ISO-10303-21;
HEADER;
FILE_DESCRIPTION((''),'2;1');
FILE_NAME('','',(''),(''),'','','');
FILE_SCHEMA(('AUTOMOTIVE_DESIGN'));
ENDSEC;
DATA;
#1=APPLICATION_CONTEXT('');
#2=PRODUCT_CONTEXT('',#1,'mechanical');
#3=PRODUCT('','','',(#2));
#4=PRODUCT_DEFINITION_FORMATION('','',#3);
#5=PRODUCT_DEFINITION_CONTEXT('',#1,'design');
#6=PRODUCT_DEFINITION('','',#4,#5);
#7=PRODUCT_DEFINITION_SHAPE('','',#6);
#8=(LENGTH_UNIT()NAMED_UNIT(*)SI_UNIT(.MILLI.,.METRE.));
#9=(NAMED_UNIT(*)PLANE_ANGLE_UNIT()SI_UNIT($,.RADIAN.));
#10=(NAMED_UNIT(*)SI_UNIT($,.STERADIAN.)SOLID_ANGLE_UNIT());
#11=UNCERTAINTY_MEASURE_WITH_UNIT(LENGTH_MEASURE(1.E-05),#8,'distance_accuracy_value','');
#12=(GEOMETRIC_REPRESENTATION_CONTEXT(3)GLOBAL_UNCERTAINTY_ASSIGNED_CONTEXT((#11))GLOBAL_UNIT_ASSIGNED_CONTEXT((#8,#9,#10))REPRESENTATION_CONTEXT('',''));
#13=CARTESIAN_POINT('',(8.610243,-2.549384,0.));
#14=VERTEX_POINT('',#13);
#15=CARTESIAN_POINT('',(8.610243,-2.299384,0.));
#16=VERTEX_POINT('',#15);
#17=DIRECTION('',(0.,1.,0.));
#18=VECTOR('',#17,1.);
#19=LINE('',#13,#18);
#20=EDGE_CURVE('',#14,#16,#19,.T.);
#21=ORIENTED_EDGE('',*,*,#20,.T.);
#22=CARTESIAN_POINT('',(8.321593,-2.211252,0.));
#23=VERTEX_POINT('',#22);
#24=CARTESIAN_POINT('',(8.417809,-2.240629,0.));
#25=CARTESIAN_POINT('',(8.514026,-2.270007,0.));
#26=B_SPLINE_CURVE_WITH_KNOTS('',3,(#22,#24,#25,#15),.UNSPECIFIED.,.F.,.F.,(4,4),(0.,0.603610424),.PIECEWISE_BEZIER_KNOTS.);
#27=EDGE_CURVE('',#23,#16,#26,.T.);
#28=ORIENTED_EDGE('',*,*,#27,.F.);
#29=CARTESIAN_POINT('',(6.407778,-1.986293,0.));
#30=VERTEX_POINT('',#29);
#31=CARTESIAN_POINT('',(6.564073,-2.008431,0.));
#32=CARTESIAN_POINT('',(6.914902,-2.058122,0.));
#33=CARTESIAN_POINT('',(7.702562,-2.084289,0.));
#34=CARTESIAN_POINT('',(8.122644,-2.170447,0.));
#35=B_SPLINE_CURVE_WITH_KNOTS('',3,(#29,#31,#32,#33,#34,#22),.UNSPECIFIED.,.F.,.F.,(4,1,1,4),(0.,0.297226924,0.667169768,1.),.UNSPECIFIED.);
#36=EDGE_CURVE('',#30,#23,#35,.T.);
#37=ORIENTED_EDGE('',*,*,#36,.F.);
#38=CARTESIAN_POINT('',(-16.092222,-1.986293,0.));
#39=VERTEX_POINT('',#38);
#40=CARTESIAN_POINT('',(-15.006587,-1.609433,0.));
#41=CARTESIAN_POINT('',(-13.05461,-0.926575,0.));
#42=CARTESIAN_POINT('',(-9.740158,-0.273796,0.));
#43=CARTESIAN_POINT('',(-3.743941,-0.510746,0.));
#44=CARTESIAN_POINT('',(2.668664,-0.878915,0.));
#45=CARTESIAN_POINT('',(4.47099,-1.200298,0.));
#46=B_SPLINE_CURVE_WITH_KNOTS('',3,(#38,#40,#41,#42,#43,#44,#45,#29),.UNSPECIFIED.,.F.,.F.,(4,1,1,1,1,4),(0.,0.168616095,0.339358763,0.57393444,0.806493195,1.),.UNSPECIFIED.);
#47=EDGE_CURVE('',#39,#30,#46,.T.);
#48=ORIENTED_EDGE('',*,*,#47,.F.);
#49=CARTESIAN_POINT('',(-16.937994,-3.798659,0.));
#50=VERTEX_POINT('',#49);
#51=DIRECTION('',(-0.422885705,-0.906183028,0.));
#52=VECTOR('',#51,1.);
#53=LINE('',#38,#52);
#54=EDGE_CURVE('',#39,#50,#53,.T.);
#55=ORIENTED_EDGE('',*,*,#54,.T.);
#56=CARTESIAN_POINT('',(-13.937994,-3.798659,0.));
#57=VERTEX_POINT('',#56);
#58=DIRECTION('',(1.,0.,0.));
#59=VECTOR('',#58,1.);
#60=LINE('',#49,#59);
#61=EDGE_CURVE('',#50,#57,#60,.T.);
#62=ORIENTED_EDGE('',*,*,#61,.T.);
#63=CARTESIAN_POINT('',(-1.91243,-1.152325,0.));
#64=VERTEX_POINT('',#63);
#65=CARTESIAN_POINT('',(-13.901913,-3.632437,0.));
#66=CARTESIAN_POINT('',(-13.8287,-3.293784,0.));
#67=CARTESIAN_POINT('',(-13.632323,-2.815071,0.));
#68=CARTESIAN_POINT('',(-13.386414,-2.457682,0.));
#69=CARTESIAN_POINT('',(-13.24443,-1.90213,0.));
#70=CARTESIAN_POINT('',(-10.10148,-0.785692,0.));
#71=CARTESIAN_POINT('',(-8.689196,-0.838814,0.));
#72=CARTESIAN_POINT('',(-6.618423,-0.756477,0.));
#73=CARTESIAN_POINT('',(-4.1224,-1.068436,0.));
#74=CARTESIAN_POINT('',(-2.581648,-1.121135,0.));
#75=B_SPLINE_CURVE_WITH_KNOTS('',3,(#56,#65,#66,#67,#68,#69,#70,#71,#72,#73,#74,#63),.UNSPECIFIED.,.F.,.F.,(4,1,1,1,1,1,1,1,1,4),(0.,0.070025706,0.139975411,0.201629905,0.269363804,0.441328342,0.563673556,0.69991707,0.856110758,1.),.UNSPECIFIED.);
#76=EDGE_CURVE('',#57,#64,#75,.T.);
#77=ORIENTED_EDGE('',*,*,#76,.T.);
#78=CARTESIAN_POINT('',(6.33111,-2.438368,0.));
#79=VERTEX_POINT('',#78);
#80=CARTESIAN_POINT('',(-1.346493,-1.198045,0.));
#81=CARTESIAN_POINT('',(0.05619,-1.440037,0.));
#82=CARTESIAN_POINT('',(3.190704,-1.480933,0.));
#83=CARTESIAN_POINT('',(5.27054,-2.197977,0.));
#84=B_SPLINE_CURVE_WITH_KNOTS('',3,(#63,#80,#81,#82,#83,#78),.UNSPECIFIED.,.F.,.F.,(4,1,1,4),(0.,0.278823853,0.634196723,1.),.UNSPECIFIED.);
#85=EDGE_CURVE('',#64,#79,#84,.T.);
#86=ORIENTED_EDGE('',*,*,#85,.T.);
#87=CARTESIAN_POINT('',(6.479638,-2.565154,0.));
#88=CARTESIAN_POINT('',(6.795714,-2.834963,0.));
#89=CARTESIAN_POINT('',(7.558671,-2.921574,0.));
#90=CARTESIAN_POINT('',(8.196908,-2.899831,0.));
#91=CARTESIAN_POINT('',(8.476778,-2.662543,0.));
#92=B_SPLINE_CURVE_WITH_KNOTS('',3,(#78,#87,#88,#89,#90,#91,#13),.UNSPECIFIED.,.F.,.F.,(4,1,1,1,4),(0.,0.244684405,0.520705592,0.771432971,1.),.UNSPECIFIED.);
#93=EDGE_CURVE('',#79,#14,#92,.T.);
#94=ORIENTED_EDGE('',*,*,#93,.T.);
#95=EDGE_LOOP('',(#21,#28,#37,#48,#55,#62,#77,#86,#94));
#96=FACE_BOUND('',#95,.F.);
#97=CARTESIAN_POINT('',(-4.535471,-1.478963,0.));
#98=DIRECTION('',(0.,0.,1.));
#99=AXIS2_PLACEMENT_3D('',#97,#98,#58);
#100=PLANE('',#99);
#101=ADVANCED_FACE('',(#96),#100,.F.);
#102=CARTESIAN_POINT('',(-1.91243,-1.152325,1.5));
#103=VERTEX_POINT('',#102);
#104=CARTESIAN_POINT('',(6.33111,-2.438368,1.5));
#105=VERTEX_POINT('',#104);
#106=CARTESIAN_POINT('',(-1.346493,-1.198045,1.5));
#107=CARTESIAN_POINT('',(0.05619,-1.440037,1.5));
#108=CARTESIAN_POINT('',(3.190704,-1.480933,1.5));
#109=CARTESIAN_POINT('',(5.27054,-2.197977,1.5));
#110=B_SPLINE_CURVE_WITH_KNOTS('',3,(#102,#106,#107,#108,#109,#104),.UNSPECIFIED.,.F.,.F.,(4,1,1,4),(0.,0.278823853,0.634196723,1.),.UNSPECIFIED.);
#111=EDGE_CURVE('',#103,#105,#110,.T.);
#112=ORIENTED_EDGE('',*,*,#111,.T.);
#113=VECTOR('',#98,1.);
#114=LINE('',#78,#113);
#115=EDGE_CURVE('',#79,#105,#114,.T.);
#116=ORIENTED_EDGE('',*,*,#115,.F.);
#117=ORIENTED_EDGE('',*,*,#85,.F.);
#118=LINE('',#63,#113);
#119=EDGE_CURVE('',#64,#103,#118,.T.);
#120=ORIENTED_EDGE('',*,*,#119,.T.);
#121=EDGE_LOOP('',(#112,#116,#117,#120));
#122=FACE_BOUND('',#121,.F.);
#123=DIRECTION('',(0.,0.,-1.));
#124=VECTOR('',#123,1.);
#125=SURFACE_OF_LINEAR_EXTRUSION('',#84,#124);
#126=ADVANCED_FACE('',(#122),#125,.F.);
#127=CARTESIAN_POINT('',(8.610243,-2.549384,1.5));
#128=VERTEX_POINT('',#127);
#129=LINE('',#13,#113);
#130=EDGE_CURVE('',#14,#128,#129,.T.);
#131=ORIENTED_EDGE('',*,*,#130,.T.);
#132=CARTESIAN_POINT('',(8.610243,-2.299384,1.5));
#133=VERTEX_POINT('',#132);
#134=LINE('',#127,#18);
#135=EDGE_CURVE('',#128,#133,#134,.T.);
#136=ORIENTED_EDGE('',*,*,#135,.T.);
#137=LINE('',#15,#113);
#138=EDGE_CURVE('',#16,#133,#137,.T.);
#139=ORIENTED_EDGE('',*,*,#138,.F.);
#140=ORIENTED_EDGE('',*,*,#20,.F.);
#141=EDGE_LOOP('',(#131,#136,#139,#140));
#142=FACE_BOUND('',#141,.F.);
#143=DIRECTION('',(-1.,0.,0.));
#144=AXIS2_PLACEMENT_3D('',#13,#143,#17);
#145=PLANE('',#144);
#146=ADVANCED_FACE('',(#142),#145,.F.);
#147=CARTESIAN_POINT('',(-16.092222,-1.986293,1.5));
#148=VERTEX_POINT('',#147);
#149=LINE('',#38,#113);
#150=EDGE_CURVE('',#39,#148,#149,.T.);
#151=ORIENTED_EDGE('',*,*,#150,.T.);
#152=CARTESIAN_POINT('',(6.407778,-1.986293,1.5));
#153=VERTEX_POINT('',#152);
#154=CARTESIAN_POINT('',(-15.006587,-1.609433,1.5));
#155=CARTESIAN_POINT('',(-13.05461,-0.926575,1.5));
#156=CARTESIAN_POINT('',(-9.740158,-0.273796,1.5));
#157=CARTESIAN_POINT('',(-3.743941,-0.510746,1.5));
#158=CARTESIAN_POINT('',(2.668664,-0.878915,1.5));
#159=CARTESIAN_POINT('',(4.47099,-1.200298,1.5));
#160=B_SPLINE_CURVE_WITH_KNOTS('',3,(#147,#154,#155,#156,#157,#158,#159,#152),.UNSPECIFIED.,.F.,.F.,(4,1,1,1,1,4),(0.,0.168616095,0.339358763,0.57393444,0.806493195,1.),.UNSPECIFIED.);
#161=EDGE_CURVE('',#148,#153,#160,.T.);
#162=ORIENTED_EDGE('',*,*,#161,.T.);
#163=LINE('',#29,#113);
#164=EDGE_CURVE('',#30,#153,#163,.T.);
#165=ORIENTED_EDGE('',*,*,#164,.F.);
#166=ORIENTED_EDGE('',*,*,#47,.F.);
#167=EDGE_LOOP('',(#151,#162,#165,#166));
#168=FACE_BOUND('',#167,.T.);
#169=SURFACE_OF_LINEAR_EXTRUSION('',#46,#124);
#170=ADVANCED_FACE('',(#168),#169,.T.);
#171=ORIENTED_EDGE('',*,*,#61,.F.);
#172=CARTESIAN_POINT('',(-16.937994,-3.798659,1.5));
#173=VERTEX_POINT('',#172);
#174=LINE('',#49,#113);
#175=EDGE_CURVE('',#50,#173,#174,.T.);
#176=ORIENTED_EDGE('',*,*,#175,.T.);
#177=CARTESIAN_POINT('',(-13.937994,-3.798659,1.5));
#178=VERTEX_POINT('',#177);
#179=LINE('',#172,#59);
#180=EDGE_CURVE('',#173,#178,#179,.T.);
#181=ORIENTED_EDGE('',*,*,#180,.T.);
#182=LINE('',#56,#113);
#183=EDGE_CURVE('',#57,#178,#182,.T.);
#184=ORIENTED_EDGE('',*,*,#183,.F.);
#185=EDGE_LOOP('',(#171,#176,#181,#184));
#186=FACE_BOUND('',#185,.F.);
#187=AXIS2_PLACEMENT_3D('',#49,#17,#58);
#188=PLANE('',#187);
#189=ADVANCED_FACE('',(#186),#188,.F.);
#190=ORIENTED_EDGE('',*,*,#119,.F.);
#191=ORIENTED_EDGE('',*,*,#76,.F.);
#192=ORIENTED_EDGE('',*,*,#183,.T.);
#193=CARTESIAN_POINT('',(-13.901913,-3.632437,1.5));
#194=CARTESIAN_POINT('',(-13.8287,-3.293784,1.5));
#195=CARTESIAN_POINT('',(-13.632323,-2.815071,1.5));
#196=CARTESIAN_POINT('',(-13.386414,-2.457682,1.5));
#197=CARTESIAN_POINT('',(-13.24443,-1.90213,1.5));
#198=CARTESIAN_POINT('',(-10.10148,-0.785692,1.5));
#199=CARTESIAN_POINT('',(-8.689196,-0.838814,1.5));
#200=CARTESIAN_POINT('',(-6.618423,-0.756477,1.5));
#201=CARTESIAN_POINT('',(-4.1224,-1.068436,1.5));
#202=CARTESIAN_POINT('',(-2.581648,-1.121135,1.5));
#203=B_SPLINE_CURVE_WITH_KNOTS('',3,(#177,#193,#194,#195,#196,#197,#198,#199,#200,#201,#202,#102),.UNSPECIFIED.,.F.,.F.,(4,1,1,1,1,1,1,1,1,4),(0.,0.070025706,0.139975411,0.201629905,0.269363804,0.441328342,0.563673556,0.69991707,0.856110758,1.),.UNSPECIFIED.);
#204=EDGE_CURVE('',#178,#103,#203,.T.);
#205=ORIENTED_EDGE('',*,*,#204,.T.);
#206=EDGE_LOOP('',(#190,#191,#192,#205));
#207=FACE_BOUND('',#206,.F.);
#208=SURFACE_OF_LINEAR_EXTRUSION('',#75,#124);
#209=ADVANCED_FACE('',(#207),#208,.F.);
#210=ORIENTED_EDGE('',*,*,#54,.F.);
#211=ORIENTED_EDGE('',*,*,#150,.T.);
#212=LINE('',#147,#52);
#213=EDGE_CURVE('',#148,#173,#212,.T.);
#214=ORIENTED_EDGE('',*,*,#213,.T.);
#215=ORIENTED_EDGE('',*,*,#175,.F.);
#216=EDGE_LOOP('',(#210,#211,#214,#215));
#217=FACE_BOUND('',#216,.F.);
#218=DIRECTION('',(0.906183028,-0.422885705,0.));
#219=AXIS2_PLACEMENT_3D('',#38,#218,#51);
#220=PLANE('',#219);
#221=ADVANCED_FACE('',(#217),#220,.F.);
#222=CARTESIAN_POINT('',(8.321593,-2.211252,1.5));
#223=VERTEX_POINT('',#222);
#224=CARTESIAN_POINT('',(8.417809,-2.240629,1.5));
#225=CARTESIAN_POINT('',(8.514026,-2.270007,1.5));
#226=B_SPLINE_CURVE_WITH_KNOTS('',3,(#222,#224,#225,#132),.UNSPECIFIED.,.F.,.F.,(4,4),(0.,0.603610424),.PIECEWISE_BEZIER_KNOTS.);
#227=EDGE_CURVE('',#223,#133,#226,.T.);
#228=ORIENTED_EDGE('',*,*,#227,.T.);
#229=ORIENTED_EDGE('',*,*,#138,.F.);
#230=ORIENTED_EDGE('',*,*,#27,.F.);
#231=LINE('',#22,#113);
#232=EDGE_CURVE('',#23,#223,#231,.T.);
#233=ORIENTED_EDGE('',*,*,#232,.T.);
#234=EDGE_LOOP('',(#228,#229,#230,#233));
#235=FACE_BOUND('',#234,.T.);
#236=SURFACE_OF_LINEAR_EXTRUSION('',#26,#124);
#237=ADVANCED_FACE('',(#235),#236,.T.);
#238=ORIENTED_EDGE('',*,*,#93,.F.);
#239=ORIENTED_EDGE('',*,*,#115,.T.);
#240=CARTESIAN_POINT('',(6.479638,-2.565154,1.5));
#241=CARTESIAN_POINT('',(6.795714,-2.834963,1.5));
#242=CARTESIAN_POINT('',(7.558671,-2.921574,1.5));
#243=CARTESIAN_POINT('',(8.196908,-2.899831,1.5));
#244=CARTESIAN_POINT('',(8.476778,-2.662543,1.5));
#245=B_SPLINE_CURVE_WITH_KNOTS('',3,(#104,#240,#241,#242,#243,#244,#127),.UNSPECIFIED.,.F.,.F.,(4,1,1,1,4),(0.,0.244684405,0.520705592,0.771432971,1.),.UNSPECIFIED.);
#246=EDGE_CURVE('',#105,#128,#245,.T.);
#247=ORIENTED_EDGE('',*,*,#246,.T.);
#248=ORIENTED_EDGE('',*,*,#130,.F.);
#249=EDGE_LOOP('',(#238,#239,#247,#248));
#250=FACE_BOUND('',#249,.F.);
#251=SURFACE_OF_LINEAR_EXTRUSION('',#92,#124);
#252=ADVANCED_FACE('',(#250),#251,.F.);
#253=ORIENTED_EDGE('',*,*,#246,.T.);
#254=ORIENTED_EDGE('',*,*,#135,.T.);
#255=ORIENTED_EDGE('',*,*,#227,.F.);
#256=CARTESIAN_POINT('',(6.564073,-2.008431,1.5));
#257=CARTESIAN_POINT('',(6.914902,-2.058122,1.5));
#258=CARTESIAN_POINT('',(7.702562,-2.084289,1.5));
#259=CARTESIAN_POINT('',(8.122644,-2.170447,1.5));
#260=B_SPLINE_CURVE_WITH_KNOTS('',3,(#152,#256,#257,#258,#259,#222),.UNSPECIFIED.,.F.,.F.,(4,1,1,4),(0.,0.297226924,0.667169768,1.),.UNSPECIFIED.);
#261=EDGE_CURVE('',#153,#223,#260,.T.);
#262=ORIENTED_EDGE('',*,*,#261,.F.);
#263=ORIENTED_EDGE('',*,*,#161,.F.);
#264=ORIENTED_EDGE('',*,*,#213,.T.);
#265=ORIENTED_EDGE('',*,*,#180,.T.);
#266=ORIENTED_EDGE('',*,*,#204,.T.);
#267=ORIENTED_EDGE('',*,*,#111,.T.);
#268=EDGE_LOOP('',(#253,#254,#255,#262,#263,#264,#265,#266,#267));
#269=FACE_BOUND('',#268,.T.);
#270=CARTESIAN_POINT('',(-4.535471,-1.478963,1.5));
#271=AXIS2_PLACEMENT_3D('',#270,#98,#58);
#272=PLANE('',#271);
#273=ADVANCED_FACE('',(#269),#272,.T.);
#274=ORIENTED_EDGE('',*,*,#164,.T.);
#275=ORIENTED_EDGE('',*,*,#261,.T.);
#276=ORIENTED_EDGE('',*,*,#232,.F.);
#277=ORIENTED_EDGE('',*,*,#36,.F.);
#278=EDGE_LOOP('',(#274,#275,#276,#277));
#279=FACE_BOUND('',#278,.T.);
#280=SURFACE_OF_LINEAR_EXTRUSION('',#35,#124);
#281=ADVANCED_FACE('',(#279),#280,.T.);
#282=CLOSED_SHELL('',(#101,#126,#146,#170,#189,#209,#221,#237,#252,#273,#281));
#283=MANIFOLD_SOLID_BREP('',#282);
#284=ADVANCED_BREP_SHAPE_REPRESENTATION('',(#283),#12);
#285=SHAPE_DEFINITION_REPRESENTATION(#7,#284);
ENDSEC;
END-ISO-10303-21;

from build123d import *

# Parameters (mm, degrees)
F1_DEPTH = 3
F2_SCALE = 0.5


with BuildPart() as f1:
    # F0 (on Top) → F1 (new body)
    with BuildSketch(Plane.XY):
        with BuildLine():
            Line((-32.1844442415, -3.9725867236), (-33.8759870601, -7.5973188368))
            Line((-33.8759870601, -7.5973188368), (-27.8759870601, -7.5973188368))
            add(Edge.make_bspline(
                [(-27.8759870601, -7.5973188368), (-27.8038254782, -7.2648734857), (-27.6574002143, -6.5875678446), (-27.2646463389, -5.6301421197), (-26.7728286043, -4.9153647957), (-26.4888598722, -3.8042604427), (-20.2029596141, -1.5713832491), (-17.3783914054, -1.6776275889), (-13.2368453772, -1.512953355), (-8.2447998619, -2.1368717955), (-5.1632964799, -2.2422700462), (-3.8248591591, -2.3046508431)],
                knots=[0, 0, 0, 0, 0.070025706, 0.1399754105, 0.2016299051, 0.2693638042, 0.4413283419, 0.5636735559, 0.6999170698, 0.8561107584, 1, 1, 1, 1], degree=3))
            add(Edge.make_bspline(
                [(-3.8248591591, -2.3046508431), (-2.6929860236, -2.3960908905), (0.1123803638, -2.8800737703), (6.3814087228, -2.9618663623), (10.5410790482, -4.3959544034), (12.6622207463, -4.8767356202)],
                knots=[0, 0, 0, 0, 0.2788238534, 0.6341967231, 1, 1, 1, 1], degree=3))
            add(Edge.make_bspline(
                [(12.6622207463, -4.8767356202), (12.9592753428, -5.130307504), (13.5914283791, -5.6699262749), (15.1173411919, -5.8431470928), (16.393816913, -5.7996612326), (16.953556191, -5.3250850395), (17.2204859555, -5.0987680443)],
                knots=[0, 0, 0, 0, 0.2446844048, 0.5207055916, 0.7714329714, 1, 1, 1, 1], degree=3))
            Line((17.2204859555, -5.0987680443), (17.2204859555, -4.5987680443))
            add(Edge.make_bspline(
                [(16.6431851685, -4.4225030579), (16.8356187642, -4.4812580533), (17.0280523598, -4.5400130488), (17.2204859555, -4.5987680443)],
                knots=[0, 0, 0, 0, 0.6036104241, 0.6036104241, 0.6036104241, 0.6036104241], degree=3))
            add(Edge.make_bspline(
                [(12.8155557585, -3.9725867236), (13.1281467473, -4.016861985), (13.8298034299, -4.116244354), (15.4051233406, -4.1685774638), (16.2452872451, -4.3408944788), (16.6431851685, -4.4225030579)],
                knots=[0, 0, 0, 0, 0.2972269238, 0.6671697675, 1, 1, 1, 1], degree=3))
            add(Edge.make_bspline(
                [(-32.1844442415, -3.9725867236), (-30.0131749264, -3.2188659016), (-26.109219992, -1.8531503717), (-19.480316267, -0.5475927067), (-7.4878824368, -1.0214923962), (5.3373274151, -1.7578293397), (8.9419800788, -2.4005956948), (12.8155557585, -3.9725867236)],
                knots=[0, 0, 0, 0, 0.1686160949, 0.339358763, 0.5739344403, 0.8064931955, 1, 1, 1, 1], degree=3))
        make_face()
    extrude(amount=F1_DEPTH)


with BuildPart() as f1_1:
    # F2: moved
    add(f1.part.scale(F2_SCALE))


solid = f1_1.part
